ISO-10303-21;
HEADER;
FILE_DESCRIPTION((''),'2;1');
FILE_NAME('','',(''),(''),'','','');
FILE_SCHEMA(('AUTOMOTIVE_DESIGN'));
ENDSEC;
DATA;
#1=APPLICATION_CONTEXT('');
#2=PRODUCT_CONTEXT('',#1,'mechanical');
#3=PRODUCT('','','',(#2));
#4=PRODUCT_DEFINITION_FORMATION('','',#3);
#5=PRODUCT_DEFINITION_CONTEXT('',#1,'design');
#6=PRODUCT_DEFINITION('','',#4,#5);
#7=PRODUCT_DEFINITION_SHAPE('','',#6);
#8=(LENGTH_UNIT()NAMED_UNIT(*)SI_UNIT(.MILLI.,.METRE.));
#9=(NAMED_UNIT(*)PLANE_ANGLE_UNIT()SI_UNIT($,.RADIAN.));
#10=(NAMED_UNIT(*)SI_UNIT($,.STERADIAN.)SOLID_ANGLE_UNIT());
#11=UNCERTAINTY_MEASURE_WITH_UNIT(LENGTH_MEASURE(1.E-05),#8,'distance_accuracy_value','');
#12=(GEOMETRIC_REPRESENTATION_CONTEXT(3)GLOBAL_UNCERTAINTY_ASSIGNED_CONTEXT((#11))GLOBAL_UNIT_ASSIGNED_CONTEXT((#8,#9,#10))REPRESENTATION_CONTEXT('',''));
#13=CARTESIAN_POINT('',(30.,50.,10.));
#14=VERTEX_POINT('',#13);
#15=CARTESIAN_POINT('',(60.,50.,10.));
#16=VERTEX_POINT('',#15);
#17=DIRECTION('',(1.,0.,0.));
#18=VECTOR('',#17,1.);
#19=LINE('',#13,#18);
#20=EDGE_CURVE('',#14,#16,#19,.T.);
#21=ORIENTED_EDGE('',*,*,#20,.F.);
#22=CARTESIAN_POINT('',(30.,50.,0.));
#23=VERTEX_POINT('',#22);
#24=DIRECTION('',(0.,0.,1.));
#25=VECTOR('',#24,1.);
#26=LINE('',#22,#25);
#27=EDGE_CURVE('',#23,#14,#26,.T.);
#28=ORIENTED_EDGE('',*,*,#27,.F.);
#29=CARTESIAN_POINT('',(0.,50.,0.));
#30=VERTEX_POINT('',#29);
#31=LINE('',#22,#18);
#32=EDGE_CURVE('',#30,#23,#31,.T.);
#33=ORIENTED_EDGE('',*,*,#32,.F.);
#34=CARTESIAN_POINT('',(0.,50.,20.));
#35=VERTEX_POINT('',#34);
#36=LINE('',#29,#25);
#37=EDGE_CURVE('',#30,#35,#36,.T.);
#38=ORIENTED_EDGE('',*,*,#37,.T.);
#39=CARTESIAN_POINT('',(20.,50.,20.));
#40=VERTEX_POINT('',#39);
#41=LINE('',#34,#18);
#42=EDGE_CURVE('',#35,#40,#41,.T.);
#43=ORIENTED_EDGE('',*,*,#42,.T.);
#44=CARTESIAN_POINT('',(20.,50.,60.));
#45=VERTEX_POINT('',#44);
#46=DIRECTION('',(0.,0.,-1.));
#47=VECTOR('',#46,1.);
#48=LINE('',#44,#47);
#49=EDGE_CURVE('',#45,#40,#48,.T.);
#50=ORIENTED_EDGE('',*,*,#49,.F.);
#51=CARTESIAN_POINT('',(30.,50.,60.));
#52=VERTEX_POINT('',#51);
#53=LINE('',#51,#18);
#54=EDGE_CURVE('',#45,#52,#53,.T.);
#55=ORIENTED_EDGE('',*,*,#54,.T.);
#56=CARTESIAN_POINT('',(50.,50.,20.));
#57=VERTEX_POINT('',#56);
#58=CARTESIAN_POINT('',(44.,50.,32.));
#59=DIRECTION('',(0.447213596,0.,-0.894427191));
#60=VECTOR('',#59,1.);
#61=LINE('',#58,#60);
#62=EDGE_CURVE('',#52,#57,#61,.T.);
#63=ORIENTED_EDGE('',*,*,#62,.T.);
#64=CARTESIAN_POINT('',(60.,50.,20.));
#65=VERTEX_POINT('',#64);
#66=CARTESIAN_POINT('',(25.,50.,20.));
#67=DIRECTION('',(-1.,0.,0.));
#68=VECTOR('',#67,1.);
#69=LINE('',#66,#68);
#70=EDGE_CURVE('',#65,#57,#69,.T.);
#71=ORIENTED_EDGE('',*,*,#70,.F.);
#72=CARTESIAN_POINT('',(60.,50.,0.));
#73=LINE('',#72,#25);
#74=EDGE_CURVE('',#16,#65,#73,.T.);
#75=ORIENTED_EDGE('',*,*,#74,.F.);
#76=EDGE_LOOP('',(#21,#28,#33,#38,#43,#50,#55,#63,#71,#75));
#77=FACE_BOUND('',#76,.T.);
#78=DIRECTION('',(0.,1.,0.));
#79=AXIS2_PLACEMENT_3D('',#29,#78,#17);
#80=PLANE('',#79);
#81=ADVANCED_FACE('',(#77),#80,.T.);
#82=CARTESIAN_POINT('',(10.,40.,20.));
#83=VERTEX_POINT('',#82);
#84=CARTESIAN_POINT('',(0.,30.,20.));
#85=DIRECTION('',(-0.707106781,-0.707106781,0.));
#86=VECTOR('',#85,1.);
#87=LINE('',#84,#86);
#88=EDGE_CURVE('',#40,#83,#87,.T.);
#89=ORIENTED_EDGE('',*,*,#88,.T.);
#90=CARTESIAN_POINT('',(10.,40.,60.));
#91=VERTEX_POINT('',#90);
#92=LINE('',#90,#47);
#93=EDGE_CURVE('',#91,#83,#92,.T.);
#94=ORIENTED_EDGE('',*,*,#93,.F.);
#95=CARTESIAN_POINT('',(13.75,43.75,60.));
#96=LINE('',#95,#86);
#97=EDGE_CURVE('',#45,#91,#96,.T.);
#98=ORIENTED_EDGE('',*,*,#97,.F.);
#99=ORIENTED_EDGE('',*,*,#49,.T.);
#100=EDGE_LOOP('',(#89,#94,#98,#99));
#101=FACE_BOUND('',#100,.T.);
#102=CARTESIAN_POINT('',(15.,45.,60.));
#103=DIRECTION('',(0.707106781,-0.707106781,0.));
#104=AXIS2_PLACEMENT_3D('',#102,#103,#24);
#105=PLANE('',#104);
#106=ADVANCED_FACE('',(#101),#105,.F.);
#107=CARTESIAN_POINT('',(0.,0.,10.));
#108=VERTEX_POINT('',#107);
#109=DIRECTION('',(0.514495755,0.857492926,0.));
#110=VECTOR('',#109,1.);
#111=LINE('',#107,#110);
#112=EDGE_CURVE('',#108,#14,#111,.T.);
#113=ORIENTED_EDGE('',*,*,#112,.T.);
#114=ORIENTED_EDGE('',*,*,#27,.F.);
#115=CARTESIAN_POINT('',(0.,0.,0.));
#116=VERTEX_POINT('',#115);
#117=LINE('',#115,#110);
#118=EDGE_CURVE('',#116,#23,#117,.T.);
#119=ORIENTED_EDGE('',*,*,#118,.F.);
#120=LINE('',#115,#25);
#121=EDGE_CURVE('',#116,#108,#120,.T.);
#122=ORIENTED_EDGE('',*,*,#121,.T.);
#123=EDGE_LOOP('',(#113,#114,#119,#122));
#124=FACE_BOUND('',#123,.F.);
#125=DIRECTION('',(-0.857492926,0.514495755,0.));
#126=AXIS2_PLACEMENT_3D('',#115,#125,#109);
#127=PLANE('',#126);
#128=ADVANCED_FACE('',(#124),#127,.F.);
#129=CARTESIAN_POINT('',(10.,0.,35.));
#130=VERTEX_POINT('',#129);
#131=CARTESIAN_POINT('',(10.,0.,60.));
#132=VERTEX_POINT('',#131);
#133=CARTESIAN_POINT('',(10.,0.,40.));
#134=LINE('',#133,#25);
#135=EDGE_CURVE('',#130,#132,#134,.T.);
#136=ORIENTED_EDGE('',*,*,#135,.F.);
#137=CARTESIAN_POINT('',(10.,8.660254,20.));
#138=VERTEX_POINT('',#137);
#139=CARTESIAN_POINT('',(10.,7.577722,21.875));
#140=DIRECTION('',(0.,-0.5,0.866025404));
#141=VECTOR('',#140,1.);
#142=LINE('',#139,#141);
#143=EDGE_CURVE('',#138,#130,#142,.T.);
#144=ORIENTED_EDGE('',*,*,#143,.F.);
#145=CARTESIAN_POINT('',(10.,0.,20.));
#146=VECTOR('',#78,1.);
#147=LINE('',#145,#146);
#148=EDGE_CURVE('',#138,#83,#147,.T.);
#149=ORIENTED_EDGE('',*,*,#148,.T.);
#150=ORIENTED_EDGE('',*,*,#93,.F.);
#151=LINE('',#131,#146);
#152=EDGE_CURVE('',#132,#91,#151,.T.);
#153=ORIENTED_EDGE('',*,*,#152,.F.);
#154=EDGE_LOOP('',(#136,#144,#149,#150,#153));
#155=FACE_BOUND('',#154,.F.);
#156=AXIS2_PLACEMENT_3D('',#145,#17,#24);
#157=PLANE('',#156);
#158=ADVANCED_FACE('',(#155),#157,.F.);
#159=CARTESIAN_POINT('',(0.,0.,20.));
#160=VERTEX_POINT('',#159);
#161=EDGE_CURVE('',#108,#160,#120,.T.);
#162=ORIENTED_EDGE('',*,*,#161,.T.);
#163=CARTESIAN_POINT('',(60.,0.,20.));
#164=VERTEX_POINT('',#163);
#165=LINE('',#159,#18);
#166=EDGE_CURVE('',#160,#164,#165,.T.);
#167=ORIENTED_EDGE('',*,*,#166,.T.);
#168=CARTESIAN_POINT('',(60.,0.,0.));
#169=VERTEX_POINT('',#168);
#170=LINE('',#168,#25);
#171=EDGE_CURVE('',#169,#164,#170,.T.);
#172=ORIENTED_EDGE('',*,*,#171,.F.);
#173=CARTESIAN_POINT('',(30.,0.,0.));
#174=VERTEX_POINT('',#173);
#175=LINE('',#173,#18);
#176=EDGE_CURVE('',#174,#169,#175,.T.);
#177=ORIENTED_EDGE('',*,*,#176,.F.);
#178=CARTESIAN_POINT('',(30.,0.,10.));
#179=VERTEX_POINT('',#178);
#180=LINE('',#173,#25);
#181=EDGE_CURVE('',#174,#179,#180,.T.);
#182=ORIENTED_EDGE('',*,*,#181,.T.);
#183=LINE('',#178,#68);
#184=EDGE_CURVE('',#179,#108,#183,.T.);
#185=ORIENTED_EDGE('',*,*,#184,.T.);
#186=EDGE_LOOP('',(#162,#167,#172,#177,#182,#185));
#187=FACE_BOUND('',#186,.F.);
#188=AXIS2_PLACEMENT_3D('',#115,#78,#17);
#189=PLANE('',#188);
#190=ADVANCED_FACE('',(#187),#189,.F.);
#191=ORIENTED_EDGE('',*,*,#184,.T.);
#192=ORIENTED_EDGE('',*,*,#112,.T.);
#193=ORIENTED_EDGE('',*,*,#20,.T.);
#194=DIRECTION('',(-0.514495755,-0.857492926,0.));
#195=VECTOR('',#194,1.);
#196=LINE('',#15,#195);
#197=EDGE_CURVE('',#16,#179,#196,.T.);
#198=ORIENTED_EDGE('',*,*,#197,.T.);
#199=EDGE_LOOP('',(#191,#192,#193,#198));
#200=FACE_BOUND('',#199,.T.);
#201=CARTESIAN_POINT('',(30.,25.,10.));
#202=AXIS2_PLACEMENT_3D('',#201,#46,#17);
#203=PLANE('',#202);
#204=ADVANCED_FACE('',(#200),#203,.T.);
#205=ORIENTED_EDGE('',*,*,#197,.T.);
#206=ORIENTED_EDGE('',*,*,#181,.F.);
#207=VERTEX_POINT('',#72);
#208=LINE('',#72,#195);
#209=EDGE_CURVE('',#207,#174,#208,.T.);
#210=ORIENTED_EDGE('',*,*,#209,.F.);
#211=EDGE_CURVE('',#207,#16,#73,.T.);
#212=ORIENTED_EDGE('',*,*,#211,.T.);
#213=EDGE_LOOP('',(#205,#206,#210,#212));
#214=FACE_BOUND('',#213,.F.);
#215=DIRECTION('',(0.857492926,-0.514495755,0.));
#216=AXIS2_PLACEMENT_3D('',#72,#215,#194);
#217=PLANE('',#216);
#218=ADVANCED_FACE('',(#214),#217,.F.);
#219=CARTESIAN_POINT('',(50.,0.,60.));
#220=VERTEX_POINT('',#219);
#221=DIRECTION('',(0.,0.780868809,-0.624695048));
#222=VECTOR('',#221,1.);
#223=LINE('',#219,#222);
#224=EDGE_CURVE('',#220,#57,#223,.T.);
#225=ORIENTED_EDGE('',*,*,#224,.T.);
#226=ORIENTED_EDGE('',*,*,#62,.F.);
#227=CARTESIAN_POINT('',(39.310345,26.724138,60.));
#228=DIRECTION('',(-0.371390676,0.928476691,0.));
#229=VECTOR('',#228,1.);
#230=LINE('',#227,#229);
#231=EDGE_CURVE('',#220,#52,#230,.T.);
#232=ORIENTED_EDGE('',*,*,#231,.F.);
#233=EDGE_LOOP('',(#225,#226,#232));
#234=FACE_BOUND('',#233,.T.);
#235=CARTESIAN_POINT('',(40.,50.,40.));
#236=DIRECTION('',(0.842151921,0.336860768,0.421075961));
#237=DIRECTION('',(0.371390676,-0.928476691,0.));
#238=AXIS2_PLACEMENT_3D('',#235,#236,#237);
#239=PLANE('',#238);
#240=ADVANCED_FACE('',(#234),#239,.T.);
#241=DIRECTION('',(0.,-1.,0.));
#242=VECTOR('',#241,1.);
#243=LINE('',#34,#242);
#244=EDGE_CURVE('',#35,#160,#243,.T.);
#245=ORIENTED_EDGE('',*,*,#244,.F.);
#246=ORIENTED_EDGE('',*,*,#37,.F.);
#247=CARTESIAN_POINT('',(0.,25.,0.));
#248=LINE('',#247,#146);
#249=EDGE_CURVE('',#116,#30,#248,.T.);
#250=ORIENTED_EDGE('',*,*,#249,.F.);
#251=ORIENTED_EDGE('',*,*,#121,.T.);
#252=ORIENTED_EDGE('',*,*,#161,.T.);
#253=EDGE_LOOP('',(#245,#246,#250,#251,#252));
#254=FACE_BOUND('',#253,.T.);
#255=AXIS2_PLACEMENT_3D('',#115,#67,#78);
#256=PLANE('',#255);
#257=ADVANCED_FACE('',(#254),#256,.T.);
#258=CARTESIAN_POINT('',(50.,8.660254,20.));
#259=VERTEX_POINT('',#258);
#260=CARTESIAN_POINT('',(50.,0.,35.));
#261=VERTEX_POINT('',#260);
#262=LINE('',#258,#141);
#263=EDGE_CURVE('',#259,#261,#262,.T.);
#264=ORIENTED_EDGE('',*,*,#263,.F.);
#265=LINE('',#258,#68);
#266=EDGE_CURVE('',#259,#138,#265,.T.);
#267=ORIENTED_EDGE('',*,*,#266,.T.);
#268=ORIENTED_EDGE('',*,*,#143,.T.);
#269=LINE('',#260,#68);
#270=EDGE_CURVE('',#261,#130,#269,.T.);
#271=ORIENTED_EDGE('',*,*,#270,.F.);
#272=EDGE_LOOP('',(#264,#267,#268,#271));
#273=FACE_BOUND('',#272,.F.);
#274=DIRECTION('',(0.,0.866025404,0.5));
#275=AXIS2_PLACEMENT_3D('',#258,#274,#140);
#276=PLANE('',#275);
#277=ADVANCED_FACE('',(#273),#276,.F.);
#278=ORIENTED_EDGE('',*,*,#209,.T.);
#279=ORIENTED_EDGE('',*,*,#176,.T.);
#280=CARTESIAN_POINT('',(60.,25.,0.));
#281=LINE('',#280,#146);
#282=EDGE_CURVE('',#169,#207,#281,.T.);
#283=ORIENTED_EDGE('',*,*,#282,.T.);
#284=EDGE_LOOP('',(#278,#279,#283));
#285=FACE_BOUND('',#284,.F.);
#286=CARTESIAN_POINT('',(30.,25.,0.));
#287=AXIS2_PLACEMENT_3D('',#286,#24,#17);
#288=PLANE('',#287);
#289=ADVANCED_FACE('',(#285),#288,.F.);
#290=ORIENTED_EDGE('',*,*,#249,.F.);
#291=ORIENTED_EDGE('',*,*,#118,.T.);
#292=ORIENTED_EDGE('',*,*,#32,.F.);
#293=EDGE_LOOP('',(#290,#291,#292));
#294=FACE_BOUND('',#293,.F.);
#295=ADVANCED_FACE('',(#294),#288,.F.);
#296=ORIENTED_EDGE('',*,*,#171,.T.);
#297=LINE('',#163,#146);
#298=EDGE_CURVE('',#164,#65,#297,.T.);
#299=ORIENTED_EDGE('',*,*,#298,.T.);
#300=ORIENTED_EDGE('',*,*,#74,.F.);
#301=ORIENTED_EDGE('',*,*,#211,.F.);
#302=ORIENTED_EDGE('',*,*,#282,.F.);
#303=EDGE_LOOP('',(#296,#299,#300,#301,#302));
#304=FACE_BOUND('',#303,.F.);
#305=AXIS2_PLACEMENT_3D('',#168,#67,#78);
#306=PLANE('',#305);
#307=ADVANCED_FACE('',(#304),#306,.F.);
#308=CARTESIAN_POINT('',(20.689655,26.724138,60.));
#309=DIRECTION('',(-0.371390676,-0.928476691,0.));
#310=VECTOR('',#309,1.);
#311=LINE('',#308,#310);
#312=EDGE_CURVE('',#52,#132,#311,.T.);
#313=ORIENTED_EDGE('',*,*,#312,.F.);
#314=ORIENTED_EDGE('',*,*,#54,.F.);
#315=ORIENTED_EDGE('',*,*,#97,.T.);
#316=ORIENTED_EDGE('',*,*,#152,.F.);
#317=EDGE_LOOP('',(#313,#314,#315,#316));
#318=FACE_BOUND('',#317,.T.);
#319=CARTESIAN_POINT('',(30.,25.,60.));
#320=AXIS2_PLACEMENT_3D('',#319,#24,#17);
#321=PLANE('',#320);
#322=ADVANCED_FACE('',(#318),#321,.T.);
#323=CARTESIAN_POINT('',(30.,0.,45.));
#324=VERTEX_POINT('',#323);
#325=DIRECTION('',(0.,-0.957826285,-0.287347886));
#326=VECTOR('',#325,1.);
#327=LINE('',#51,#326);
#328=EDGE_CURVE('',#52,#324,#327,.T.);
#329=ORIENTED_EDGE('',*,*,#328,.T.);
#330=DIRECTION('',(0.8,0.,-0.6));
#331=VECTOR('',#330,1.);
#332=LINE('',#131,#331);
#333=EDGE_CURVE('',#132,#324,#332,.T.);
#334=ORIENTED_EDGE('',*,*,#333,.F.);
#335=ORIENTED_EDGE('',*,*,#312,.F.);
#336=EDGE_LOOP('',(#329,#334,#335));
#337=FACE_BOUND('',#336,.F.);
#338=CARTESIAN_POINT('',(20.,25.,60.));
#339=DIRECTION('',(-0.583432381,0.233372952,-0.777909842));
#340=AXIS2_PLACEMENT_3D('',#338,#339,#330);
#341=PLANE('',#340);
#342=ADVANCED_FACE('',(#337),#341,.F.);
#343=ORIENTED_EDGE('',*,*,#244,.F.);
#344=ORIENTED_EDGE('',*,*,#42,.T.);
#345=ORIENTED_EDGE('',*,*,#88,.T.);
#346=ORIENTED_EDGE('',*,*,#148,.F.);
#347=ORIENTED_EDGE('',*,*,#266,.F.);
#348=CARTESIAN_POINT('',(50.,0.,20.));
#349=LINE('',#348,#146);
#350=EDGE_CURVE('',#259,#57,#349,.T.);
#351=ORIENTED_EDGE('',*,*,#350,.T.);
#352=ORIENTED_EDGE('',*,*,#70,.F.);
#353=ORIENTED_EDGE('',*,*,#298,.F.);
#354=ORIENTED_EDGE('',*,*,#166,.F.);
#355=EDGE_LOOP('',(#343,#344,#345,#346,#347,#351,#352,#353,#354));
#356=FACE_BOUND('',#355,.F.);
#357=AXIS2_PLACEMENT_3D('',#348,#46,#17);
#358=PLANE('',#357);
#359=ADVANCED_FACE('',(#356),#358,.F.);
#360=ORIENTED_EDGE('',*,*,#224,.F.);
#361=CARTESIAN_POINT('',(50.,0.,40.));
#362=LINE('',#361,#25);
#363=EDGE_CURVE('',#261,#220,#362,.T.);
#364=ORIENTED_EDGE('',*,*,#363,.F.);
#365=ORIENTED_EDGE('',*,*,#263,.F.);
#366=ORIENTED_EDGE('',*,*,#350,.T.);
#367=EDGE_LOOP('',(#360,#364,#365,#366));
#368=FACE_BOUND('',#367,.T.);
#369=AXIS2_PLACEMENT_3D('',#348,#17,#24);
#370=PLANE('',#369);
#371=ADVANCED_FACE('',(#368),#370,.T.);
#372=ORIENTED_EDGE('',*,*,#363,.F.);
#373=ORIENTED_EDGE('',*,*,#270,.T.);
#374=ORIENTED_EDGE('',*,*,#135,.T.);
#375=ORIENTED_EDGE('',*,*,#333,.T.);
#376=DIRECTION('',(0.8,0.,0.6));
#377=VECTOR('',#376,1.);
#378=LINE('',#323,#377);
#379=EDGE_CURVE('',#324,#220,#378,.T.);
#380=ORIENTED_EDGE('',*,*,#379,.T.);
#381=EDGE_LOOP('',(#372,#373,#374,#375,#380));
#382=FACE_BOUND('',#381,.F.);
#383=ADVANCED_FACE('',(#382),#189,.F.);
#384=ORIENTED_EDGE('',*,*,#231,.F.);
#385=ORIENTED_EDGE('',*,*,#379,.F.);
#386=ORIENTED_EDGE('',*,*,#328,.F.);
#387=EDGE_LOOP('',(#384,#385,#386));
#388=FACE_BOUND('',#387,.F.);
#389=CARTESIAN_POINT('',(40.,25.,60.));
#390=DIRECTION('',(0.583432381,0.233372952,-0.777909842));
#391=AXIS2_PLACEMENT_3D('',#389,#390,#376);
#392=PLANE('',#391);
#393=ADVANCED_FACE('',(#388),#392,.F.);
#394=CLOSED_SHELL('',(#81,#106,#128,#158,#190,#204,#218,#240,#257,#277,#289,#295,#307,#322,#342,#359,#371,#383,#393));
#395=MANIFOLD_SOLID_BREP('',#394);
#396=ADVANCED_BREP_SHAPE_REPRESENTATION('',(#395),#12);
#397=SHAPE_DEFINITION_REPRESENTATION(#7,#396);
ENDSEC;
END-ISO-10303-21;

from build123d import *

# Parameters (mm, degrees)
F0_W      = 60
F0_H      = 50
F1_DEPTH  = 60
F2_W      = 10
F2_H      = 40
F3_DEPTH  = 50.001
F4_W      = 10
F4_H      = 40
F5_DEPTH  = 50.001
F7_DEPTH  = 10
F8_SIZE   = 10
F10_DEPTH = 50.001


with BuildPart() as f1:
    # F0 (on Top) → F1 (new body)
    with BuildSketch(Plane.XY):
        with Locations((30, 25)):
            Rectangle(F0_W, F0_H)
    extrude(amount=F1_DEPTH)

    # F2 (on face) → F3 (cut, through all)
    with BuildSketch(Plane.XZ):
        with Locations((5, 40)):
            Rectangle(F2_W, F2_H)
    extrude(amount=-F3_DEPTH, mode=Mode.SUBTRACT)

    # F4 (on face) → F5 (cut, through all)
    with BuildSketch(Plane.XZ):
        with Locations((55, 40)):
            Rectangle(F4_W, F4_H)
    extrude(amount=-F5_DEPTH, mode=Mode.SUBTRACT)

    # F6 (on face) → F7 (cut)
    with BuildSketch(Plane(origin=(0, 0, 0), x_dir=(1, 0, 0), z_dir=(0, 0, -1))):
        Polygon((30, 0), (0, 0), (30, -50), (60, -50), align=None)
    extrude(amount=-F7_DEPTH, mode=Mode.SUBTRACT)

    # F8
    f8_edges = [f1.edges().sort_by_distance(p)[0] for p in [
        (10, 50, 40),
    ]]
    chamfer(f8_edges, length=F8_SIZE)

    # F9 (on face) → F10 (cut, through all)
    with BuildSketch(Plane.YZ.offset(50)):
        Polygon((8.6602540378, 20), (0, 35), (0, 20), align=None)
    extrude(amount=-F10_DEPTH, mode=Mode.SUBTRACT)

    # F13: sweep along a path in F12
    with BuildLine(Plane.YZ.offset(50)) as f13_path:
        Line((50, 60), (0, 45))
    # F11 (on face) → F13 (sweep, cut)
    with BuildSketch(Plane.XZ):
        Polygon((50, 60), (10, 60), (30, 45), align=None)
    sweep(path=f13_path.line, mode=Mode.SUBTRACT)

    # F15: sweep along a path in F14
    with BuildLine(Plane.YZ.offset(50)) as f15_path:
        Line((0, 60), (50, 20))
    # F13_face (on face) → F15 (sweep, cut)
    with BuildSketch(Plane(origin=(43.3333333333, 33.3333333333, 60), x_dir=(1, 0, 0), z_dir=(0, 0, 1))):
        Polygon((-13.3333333333, 16.6666666667), (6.6666666667, -33.3333333333), (6.6666666667, 16.6666666667), align=None)
    sweep(path=f15_path.line, mode=Mode.SUBTRACT)


solid = f1.part
